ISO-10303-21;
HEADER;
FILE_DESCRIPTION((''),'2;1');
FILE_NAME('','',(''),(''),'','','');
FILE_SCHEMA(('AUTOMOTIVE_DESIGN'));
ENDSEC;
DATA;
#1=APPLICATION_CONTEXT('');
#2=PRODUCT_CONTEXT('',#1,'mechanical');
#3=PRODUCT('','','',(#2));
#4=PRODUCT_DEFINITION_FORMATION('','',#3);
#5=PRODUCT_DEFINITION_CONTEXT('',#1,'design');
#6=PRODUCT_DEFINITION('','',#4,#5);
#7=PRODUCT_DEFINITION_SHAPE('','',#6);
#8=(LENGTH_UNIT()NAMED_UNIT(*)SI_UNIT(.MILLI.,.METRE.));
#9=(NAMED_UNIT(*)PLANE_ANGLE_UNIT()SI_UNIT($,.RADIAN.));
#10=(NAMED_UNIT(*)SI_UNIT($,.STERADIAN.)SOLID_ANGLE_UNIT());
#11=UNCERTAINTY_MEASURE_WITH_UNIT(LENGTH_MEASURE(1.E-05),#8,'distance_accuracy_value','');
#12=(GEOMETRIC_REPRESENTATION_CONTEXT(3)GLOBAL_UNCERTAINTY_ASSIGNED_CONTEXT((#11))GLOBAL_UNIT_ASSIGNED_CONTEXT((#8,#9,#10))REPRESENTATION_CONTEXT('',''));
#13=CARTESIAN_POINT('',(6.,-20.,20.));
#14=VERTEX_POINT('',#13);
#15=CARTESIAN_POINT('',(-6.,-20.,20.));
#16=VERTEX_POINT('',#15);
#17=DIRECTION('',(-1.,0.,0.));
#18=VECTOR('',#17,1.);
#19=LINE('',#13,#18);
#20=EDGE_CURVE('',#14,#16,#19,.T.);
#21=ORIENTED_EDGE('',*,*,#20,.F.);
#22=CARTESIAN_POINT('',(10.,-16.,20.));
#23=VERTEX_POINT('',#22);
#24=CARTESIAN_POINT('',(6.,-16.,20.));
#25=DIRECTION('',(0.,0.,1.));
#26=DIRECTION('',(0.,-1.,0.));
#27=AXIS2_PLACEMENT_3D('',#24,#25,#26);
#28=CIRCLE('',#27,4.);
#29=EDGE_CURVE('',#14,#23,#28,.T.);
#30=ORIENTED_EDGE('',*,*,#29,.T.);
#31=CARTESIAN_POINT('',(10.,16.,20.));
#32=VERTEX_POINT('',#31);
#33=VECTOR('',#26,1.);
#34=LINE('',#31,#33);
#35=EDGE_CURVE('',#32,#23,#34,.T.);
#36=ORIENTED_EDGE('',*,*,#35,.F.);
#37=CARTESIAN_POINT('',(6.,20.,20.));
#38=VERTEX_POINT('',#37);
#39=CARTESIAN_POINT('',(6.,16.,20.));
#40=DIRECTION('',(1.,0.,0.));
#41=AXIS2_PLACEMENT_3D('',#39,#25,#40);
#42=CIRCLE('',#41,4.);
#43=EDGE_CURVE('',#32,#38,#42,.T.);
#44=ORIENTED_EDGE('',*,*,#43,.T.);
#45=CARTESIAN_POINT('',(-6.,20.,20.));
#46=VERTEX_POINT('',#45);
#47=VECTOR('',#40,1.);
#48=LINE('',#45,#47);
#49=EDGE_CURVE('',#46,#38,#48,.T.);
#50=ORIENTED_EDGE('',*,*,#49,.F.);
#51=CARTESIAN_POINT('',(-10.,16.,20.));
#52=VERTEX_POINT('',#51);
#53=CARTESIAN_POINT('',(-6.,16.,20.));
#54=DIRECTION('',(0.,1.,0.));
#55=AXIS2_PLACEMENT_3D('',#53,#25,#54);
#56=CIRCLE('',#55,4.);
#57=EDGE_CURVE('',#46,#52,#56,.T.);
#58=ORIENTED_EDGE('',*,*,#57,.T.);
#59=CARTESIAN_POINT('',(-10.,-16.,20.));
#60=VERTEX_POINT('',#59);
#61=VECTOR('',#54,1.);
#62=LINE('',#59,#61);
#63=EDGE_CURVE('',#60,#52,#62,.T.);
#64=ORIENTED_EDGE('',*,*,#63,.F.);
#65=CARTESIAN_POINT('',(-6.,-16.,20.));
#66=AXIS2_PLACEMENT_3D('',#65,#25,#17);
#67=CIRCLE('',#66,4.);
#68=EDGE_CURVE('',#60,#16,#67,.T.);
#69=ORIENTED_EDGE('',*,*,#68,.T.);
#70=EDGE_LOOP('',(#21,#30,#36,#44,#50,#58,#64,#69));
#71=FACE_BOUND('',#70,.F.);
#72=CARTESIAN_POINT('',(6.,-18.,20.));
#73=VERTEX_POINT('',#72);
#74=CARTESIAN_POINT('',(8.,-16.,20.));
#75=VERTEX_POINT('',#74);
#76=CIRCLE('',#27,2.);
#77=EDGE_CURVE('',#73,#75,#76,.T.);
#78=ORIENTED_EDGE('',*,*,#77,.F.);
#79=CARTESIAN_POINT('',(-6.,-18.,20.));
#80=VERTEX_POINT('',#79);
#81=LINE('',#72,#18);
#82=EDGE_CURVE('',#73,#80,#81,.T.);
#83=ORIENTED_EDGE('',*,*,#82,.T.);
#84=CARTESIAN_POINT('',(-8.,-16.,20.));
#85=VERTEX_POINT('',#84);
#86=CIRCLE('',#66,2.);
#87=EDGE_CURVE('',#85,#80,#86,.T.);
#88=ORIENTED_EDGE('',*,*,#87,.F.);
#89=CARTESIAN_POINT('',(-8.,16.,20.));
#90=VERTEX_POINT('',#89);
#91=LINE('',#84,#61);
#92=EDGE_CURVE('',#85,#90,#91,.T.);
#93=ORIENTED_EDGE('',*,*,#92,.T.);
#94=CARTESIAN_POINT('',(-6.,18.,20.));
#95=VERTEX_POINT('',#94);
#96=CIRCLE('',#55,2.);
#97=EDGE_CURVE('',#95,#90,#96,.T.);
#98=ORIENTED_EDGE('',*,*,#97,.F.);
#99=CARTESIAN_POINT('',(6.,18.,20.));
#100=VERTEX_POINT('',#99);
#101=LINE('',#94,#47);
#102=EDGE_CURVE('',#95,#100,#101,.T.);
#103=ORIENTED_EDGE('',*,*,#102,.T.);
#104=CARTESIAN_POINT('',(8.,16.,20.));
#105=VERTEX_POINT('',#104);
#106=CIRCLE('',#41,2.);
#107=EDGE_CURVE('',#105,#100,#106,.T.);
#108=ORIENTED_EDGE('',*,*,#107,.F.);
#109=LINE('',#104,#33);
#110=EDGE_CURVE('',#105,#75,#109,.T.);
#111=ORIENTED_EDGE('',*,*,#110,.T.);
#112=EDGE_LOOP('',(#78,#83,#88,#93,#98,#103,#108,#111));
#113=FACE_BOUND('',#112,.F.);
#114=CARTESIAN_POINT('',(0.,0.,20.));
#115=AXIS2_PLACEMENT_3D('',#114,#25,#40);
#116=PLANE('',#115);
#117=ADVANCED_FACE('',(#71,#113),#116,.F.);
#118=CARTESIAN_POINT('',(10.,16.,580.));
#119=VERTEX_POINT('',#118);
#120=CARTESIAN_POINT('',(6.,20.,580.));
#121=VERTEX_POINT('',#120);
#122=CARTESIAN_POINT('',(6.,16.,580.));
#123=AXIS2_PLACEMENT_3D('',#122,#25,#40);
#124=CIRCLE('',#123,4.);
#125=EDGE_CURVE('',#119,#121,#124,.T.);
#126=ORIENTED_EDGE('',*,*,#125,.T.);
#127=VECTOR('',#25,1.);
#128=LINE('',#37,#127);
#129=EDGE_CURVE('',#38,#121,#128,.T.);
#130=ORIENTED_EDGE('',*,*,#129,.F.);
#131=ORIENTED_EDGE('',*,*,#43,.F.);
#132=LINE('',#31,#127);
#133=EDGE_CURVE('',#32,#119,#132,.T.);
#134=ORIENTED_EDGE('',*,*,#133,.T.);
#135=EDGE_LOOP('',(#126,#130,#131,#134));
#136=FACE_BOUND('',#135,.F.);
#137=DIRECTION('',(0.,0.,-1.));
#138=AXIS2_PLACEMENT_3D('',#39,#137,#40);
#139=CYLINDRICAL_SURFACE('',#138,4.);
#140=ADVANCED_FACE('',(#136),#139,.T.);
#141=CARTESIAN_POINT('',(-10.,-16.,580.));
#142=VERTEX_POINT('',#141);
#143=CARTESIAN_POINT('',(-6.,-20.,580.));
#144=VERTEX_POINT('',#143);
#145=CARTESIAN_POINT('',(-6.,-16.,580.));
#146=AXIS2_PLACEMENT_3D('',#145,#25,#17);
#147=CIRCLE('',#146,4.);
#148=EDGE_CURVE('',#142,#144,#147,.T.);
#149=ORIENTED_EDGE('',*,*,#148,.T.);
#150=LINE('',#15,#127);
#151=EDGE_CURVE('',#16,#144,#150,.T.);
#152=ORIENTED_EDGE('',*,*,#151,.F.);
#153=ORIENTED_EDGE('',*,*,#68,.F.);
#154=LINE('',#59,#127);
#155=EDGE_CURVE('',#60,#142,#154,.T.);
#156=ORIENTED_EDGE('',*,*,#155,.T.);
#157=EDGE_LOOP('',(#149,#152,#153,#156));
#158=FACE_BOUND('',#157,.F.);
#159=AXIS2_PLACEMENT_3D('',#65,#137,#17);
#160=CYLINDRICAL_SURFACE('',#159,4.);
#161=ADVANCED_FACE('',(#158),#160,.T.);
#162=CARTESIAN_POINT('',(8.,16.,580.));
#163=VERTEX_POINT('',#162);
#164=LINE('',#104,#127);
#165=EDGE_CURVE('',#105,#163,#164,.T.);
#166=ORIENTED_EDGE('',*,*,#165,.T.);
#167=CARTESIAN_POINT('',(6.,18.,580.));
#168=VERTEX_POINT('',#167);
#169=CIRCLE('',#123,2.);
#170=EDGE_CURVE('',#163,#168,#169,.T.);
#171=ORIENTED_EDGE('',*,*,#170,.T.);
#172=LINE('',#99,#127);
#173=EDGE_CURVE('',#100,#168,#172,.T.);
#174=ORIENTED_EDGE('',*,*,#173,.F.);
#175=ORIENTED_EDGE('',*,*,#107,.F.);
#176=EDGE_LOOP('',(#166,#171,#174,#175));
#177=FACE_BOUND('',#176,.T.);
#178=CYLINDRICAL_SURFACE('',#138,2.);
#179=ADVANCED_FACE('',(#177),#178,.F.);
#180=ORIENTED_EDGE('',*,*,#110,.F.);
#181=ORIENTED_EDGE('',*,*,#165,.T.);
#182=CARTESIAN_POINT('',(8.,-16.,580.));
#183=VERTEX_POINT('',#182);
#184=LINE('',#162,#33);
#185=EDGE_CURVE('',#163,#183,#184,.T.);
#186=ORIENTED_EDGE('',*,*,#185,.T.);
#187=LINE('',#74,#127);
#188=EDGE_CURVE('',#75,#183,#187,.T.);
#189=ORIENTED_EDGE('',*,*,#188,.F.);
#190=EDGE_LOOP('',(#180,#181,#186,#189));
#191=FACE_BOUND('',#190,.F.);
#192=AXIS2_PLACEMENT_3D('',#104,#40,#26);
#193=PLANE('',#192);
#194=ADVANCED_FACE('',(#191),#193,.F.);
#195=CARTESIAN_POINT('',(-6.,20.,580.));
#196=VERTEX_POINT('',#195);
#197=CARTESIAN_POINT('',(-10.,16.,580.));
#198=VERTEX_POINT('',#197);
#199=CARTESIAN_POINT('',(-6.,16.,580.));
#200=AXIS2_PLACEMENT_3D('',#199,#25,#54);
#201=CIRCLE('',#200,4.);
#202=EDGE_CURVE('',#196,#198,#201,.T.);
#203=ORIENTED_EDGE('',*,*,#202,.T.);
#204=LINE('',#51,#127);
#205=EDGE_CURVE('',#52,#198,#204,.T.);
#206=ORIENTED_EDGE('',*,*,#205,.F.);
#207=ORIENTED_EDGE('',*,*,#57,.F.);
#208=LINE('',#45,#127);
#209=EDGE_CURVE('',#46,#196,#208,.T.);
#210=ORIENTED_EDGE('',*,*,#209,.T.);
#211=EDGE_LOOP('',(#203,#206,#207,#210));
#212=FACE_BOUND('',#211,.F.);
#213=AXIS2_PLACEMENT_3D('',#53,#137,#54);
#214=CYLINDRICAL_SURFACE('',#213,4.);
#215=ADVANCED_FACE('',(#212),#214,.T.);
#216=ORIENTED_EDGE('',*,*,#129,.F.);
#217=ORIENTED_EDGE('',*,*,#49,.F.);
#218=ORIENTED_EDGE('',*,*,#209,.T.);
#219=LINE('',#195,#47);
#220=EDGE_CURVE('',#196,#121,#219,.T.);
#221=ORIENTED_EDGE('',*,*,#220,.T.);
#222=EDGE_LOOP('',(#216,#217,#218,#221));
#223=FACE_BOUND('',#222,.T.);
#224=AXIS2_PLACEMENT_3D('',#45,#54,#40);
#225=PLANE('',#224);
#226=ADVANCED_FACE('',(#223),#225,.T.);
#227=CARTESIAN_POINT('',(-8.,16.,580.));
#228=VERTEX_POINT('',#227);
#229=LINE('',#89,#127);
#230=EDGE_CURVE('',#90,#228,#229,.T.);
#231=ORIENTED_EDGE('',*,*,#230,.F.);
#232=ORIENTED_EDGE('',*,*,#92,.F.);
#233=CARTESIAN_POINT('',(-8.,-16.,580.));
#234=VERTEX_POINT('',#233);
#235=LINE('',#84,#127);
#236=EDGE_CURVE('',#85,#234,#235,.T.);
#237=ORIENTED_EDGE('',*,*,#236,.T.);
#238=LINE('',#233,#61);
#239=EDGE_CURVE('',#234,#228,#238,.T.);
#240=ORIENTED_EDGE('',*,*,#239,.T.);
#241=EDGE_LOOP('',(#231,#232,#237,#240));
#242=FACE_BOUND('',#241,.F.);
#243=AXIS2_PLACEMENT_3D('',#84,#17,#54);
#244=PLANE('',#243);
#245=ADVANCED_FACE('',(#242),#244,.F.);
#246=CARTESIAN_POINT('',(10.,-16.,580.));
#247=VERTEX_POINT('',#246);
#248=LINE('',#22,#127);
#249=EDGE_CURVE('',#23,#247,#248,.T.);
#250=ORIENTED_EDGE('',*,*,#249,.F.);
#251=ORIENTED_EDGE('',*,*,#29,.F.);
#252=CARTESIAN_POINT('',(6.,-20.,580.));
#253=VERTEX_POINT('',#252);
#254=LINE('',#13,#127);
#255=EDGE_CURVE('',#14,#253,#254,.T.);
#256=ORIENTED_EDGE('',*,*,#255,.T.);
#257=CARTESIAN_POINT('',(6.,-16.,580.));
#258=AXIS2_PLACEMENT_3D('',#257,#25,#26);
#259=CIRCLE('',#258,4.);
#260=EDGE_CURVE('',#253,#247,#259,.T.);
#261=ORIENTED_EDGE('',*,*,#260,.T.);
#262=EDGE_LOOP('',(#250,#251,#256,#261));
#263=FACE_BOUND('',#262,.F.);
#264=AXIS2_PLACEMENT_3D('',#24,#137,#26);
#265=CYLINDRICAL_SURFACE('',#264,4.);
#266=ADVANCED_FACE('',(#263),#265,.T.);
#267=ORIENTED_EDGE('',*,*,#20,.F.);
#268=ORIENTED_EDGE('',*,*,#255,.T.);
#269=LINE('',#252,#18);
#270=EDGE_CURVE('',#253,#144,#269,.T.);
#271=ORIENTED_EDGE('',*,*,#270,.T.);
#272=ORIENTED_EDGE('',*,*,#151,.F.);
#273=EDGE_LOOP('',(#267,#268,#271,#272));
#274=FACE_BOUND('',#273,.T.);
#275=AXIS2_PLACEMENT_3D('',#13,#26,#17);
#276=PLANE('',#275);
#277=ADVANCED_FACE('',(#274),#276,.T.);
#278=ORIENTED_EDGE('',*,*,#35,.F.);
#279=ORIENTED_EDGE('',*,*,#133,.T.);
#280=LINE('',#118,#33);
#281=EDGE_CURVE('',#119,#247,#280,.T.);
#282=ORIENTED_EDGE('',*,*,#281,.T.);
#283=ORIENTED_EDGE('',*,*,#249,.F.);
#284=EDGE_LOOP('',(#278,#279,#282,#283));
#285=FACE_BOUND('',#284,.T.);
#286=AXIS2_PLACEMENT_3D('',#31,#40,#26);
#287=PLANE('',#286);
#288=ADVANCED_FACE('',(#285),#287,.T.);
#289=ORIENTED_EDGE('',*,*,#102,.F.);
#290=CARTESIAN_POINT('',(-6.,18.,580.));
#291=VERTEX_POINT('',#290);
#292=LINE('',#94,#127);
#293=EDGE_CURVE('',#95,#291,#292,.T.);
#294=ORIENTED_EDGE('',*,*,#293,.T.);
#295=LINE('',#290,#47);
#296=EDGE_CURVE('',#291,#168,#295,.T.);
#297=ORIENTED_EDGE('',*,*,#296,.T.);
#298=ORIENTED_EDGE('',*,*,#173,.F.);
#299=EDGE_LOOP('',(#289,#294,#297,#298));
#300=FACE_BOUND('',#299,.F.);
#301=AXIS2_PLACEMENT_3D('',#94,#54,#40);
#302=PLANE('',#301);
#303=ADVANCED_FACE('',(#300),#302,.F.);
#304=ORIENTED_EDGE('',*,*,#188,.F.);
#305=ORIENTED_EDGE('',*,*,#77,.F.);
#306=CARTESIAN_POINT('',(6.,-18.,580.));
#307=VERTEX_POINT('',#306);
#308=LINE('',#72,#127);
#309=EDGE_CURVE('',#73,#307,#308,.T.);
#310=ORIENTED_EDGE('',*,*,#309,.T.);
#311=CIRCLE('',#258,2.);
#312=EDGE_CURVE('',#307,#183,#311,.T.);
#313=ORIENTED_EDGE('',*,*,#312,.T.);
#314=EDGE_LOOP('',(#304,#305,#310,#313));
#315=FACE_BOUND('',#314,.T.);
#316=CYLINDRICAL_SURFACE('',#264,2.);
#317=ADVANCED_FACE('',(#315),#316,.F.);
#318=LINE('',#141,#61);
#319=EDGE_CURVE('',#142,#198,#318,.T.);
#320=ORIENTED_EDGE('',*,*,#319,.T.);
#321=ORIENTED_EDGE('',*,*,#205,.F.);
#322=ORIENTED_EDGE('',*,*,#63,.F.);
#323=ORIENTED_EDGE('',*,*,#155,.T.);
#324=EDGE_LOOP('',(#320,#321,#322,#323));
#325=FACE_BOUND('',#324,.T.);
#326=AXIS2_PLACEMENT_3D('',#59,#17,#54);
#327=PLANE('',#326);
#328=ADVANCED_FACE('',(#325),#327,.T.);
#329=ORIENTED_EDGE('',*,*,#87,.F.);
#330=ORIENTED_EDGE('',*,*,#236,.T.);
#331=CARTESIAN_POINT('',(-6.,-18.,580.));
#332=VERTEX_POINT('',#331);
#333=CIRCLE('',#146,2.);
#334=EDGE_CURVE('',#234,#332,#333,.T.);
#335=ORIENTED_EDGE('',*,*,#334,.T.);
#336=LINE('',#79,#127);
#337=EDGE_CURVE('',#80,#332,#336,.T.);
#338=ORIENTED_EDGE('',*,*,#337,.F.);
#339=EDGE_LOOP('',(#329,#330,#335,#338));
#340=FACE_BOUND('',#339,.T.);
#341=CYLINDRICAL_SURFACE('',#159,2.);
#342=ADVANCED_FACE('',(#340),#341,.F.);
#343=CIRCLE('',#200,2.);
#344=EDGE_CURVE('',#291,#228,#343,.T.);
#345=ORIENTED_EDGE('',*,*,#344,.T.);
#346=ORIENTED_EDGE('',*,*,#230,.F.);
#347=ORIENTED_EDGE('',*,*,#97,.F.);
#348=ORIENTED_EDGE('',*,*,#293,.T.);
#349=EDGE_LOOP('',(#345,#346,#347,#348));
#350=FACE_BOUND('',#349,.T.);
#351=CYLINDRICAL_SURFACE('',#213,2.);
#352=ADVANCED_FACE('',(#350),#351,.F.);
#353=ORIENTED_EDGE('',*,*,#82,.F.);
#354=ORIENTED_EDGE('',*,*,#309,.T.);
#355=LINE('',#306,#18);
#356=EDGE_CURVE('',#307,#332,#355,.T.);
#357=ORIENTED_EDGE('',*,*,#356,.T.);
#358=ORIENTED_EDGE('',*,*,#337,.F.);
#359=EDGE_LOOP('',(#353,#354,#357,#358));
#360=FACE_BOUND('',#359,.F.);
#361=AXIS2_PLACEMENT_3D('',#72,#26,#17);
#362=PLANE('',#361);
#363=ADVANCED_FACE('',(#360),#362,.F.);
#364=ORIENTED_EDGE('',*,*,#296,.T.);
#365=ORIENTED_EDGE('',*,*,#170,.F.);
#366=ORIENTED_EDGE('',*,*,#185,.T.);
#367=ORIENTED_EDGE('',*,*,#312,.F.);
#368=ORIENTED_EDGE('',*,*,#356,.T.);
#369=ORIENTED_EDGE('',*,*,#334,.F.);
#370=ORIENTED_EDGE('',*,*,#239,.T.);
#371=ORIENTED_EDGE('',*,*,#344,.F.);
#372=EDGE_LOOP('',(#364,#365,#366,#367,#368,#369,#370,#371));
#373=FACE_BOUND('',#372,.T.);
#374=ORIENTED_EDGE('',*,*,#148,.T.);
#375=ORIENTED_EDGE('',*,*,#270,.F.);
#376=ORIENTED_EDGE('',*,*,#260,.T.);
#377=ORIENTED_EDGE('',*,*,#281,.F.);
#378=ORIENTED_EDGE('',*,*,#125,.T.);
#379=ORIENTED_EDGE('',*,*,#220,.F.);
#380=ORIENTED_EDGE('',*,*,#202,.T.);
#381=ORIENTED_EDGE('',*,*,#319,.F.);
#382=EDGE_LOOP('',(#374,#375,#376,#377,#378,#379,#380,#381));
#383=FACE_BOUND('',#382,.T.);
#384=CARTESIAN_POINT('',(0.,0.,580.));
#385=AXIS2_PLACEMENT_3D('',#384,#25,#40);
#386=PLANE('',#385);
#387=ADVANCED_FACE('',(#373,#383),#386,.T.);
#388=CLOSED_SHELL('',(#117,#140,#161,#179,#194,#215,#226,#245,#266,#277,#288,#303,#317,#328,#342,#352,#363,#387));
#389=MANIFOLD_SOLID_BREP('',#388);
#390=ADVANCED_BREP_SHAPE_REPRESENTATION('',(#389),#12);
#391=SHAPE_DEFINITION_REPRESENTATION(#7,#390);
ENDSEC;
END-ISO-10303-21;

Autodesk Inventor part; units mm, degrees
ref_plane "Start Plane" through (0, 0, 20) normal (0, 0, 1) x (1, 0, 0)
ref_plane "End Plane" through (0, 0, 580) normal (0, 0, 1) x (1, 0, 0)
sketch "Sketch" plane through (0, 0, 0) normal (0, 0, 1) x (1, 0, 0)
  line L0 (-10, -16) -> (-10, 16)
  line L1 (-6, 20) -> (6, 20)
  line L2 (10, 16) -> (10, -16)
  line L3 (6, -20) -> (-6, -20)
  arc A0 (-10, -16) -> (-6, -20) centre (-6, -16) ccw
  arc A1 (10, 16) -> (6, 20) centre (6, 16) ccw
  arc A2 (-6, 20) -> (-10, 16) centre (-6, 16) ccw
  arc A3 (6, -20) -> (10, -16) centre (6, -16) ccw
  arc A4 (-6, 18) -> (-8, 16) centre (-6, 16) ccw
  line L4 (-6, 18) -> (6, 18)
  arc A5 (8, 16) -> (6, 18) centre (6, 16) ccw
  line L5 (8, 16) -> (8, -16)
  arc A6 (6, -18) -> (8, -16) centre (6, -16) ccw
  line L6 (6, -18) -> (-6, -18)
  arc A7 (-8, -16) -> (-6, -18) centre (-6, -16) ccw
  line L7 (-8, -16) -> (-8, 16)
  line L8 (0, 29.1598) -> (0, -29.1598) construction
  line L9 (-15.1598, 0) -> (15.1598, 0) construction
  dimension "d7" = 4
  dimension "d9" = 20
  dimension "d11" = 40
  dimension "d12" = 2
  dimension "d15" = 10
  dimension "d16" = 20
extrude "Body" add sketch "Sketch" along normal up to surface (560 mm away) from surface at 20
sketch "Sketch3" plane through (0, 0, 0) normal (0, 0, 1) x (1, 0, 0)
  line L0 (0, 0) -> (10, 0)
ref_plane "Work Plane3" through (0, 0, 0) normal (0, -1, 0) x (1, 0, 0)
ref_plane "Work Plane4" through (10, 16, 20) normal (0, 0, -1) x (-1, 0, 0)
split "Split1" plane through (10, 16, 20) removes the side toward (0, 0, -1)
ref_plane "Work Plane5" through (10, -16, 580) normal (0, 0, 1) x (1, 0, 0)
split "Split2" plane through (10, -16, 580) removes the side toward (0, 0, 1)
sketch "Sketch4" plane through (0, 0, 0) normal (0, -1, 0) x (1, 0, 0)
  line L0 (-2, 20) -> (12, 20) projected
  line L1 (-2, 580) -> (12, 580) projected
  dimension "d18" = 560
equation "\"d7\" = G_IR"
equation "\"d9\" = G_W"
equation "\"d11\" = G_H"
equation "\"d12\" = G_T"
equation "\"d15\" = 0.5 * d9"
equation "\"d16\" = 0.5 * d11"
equation "\"d3\" = G_L"
equation "\"G_W\" = 20"
equation "\"G_H\" = 40"
equation "\"G_T\" = 2"
equation "\"G_IR\" = 4"
equation "\"G_L\" = d18"
properties part number "ISO 10799-2 - 40x20x2 - 560" material "Steel, Mild"
